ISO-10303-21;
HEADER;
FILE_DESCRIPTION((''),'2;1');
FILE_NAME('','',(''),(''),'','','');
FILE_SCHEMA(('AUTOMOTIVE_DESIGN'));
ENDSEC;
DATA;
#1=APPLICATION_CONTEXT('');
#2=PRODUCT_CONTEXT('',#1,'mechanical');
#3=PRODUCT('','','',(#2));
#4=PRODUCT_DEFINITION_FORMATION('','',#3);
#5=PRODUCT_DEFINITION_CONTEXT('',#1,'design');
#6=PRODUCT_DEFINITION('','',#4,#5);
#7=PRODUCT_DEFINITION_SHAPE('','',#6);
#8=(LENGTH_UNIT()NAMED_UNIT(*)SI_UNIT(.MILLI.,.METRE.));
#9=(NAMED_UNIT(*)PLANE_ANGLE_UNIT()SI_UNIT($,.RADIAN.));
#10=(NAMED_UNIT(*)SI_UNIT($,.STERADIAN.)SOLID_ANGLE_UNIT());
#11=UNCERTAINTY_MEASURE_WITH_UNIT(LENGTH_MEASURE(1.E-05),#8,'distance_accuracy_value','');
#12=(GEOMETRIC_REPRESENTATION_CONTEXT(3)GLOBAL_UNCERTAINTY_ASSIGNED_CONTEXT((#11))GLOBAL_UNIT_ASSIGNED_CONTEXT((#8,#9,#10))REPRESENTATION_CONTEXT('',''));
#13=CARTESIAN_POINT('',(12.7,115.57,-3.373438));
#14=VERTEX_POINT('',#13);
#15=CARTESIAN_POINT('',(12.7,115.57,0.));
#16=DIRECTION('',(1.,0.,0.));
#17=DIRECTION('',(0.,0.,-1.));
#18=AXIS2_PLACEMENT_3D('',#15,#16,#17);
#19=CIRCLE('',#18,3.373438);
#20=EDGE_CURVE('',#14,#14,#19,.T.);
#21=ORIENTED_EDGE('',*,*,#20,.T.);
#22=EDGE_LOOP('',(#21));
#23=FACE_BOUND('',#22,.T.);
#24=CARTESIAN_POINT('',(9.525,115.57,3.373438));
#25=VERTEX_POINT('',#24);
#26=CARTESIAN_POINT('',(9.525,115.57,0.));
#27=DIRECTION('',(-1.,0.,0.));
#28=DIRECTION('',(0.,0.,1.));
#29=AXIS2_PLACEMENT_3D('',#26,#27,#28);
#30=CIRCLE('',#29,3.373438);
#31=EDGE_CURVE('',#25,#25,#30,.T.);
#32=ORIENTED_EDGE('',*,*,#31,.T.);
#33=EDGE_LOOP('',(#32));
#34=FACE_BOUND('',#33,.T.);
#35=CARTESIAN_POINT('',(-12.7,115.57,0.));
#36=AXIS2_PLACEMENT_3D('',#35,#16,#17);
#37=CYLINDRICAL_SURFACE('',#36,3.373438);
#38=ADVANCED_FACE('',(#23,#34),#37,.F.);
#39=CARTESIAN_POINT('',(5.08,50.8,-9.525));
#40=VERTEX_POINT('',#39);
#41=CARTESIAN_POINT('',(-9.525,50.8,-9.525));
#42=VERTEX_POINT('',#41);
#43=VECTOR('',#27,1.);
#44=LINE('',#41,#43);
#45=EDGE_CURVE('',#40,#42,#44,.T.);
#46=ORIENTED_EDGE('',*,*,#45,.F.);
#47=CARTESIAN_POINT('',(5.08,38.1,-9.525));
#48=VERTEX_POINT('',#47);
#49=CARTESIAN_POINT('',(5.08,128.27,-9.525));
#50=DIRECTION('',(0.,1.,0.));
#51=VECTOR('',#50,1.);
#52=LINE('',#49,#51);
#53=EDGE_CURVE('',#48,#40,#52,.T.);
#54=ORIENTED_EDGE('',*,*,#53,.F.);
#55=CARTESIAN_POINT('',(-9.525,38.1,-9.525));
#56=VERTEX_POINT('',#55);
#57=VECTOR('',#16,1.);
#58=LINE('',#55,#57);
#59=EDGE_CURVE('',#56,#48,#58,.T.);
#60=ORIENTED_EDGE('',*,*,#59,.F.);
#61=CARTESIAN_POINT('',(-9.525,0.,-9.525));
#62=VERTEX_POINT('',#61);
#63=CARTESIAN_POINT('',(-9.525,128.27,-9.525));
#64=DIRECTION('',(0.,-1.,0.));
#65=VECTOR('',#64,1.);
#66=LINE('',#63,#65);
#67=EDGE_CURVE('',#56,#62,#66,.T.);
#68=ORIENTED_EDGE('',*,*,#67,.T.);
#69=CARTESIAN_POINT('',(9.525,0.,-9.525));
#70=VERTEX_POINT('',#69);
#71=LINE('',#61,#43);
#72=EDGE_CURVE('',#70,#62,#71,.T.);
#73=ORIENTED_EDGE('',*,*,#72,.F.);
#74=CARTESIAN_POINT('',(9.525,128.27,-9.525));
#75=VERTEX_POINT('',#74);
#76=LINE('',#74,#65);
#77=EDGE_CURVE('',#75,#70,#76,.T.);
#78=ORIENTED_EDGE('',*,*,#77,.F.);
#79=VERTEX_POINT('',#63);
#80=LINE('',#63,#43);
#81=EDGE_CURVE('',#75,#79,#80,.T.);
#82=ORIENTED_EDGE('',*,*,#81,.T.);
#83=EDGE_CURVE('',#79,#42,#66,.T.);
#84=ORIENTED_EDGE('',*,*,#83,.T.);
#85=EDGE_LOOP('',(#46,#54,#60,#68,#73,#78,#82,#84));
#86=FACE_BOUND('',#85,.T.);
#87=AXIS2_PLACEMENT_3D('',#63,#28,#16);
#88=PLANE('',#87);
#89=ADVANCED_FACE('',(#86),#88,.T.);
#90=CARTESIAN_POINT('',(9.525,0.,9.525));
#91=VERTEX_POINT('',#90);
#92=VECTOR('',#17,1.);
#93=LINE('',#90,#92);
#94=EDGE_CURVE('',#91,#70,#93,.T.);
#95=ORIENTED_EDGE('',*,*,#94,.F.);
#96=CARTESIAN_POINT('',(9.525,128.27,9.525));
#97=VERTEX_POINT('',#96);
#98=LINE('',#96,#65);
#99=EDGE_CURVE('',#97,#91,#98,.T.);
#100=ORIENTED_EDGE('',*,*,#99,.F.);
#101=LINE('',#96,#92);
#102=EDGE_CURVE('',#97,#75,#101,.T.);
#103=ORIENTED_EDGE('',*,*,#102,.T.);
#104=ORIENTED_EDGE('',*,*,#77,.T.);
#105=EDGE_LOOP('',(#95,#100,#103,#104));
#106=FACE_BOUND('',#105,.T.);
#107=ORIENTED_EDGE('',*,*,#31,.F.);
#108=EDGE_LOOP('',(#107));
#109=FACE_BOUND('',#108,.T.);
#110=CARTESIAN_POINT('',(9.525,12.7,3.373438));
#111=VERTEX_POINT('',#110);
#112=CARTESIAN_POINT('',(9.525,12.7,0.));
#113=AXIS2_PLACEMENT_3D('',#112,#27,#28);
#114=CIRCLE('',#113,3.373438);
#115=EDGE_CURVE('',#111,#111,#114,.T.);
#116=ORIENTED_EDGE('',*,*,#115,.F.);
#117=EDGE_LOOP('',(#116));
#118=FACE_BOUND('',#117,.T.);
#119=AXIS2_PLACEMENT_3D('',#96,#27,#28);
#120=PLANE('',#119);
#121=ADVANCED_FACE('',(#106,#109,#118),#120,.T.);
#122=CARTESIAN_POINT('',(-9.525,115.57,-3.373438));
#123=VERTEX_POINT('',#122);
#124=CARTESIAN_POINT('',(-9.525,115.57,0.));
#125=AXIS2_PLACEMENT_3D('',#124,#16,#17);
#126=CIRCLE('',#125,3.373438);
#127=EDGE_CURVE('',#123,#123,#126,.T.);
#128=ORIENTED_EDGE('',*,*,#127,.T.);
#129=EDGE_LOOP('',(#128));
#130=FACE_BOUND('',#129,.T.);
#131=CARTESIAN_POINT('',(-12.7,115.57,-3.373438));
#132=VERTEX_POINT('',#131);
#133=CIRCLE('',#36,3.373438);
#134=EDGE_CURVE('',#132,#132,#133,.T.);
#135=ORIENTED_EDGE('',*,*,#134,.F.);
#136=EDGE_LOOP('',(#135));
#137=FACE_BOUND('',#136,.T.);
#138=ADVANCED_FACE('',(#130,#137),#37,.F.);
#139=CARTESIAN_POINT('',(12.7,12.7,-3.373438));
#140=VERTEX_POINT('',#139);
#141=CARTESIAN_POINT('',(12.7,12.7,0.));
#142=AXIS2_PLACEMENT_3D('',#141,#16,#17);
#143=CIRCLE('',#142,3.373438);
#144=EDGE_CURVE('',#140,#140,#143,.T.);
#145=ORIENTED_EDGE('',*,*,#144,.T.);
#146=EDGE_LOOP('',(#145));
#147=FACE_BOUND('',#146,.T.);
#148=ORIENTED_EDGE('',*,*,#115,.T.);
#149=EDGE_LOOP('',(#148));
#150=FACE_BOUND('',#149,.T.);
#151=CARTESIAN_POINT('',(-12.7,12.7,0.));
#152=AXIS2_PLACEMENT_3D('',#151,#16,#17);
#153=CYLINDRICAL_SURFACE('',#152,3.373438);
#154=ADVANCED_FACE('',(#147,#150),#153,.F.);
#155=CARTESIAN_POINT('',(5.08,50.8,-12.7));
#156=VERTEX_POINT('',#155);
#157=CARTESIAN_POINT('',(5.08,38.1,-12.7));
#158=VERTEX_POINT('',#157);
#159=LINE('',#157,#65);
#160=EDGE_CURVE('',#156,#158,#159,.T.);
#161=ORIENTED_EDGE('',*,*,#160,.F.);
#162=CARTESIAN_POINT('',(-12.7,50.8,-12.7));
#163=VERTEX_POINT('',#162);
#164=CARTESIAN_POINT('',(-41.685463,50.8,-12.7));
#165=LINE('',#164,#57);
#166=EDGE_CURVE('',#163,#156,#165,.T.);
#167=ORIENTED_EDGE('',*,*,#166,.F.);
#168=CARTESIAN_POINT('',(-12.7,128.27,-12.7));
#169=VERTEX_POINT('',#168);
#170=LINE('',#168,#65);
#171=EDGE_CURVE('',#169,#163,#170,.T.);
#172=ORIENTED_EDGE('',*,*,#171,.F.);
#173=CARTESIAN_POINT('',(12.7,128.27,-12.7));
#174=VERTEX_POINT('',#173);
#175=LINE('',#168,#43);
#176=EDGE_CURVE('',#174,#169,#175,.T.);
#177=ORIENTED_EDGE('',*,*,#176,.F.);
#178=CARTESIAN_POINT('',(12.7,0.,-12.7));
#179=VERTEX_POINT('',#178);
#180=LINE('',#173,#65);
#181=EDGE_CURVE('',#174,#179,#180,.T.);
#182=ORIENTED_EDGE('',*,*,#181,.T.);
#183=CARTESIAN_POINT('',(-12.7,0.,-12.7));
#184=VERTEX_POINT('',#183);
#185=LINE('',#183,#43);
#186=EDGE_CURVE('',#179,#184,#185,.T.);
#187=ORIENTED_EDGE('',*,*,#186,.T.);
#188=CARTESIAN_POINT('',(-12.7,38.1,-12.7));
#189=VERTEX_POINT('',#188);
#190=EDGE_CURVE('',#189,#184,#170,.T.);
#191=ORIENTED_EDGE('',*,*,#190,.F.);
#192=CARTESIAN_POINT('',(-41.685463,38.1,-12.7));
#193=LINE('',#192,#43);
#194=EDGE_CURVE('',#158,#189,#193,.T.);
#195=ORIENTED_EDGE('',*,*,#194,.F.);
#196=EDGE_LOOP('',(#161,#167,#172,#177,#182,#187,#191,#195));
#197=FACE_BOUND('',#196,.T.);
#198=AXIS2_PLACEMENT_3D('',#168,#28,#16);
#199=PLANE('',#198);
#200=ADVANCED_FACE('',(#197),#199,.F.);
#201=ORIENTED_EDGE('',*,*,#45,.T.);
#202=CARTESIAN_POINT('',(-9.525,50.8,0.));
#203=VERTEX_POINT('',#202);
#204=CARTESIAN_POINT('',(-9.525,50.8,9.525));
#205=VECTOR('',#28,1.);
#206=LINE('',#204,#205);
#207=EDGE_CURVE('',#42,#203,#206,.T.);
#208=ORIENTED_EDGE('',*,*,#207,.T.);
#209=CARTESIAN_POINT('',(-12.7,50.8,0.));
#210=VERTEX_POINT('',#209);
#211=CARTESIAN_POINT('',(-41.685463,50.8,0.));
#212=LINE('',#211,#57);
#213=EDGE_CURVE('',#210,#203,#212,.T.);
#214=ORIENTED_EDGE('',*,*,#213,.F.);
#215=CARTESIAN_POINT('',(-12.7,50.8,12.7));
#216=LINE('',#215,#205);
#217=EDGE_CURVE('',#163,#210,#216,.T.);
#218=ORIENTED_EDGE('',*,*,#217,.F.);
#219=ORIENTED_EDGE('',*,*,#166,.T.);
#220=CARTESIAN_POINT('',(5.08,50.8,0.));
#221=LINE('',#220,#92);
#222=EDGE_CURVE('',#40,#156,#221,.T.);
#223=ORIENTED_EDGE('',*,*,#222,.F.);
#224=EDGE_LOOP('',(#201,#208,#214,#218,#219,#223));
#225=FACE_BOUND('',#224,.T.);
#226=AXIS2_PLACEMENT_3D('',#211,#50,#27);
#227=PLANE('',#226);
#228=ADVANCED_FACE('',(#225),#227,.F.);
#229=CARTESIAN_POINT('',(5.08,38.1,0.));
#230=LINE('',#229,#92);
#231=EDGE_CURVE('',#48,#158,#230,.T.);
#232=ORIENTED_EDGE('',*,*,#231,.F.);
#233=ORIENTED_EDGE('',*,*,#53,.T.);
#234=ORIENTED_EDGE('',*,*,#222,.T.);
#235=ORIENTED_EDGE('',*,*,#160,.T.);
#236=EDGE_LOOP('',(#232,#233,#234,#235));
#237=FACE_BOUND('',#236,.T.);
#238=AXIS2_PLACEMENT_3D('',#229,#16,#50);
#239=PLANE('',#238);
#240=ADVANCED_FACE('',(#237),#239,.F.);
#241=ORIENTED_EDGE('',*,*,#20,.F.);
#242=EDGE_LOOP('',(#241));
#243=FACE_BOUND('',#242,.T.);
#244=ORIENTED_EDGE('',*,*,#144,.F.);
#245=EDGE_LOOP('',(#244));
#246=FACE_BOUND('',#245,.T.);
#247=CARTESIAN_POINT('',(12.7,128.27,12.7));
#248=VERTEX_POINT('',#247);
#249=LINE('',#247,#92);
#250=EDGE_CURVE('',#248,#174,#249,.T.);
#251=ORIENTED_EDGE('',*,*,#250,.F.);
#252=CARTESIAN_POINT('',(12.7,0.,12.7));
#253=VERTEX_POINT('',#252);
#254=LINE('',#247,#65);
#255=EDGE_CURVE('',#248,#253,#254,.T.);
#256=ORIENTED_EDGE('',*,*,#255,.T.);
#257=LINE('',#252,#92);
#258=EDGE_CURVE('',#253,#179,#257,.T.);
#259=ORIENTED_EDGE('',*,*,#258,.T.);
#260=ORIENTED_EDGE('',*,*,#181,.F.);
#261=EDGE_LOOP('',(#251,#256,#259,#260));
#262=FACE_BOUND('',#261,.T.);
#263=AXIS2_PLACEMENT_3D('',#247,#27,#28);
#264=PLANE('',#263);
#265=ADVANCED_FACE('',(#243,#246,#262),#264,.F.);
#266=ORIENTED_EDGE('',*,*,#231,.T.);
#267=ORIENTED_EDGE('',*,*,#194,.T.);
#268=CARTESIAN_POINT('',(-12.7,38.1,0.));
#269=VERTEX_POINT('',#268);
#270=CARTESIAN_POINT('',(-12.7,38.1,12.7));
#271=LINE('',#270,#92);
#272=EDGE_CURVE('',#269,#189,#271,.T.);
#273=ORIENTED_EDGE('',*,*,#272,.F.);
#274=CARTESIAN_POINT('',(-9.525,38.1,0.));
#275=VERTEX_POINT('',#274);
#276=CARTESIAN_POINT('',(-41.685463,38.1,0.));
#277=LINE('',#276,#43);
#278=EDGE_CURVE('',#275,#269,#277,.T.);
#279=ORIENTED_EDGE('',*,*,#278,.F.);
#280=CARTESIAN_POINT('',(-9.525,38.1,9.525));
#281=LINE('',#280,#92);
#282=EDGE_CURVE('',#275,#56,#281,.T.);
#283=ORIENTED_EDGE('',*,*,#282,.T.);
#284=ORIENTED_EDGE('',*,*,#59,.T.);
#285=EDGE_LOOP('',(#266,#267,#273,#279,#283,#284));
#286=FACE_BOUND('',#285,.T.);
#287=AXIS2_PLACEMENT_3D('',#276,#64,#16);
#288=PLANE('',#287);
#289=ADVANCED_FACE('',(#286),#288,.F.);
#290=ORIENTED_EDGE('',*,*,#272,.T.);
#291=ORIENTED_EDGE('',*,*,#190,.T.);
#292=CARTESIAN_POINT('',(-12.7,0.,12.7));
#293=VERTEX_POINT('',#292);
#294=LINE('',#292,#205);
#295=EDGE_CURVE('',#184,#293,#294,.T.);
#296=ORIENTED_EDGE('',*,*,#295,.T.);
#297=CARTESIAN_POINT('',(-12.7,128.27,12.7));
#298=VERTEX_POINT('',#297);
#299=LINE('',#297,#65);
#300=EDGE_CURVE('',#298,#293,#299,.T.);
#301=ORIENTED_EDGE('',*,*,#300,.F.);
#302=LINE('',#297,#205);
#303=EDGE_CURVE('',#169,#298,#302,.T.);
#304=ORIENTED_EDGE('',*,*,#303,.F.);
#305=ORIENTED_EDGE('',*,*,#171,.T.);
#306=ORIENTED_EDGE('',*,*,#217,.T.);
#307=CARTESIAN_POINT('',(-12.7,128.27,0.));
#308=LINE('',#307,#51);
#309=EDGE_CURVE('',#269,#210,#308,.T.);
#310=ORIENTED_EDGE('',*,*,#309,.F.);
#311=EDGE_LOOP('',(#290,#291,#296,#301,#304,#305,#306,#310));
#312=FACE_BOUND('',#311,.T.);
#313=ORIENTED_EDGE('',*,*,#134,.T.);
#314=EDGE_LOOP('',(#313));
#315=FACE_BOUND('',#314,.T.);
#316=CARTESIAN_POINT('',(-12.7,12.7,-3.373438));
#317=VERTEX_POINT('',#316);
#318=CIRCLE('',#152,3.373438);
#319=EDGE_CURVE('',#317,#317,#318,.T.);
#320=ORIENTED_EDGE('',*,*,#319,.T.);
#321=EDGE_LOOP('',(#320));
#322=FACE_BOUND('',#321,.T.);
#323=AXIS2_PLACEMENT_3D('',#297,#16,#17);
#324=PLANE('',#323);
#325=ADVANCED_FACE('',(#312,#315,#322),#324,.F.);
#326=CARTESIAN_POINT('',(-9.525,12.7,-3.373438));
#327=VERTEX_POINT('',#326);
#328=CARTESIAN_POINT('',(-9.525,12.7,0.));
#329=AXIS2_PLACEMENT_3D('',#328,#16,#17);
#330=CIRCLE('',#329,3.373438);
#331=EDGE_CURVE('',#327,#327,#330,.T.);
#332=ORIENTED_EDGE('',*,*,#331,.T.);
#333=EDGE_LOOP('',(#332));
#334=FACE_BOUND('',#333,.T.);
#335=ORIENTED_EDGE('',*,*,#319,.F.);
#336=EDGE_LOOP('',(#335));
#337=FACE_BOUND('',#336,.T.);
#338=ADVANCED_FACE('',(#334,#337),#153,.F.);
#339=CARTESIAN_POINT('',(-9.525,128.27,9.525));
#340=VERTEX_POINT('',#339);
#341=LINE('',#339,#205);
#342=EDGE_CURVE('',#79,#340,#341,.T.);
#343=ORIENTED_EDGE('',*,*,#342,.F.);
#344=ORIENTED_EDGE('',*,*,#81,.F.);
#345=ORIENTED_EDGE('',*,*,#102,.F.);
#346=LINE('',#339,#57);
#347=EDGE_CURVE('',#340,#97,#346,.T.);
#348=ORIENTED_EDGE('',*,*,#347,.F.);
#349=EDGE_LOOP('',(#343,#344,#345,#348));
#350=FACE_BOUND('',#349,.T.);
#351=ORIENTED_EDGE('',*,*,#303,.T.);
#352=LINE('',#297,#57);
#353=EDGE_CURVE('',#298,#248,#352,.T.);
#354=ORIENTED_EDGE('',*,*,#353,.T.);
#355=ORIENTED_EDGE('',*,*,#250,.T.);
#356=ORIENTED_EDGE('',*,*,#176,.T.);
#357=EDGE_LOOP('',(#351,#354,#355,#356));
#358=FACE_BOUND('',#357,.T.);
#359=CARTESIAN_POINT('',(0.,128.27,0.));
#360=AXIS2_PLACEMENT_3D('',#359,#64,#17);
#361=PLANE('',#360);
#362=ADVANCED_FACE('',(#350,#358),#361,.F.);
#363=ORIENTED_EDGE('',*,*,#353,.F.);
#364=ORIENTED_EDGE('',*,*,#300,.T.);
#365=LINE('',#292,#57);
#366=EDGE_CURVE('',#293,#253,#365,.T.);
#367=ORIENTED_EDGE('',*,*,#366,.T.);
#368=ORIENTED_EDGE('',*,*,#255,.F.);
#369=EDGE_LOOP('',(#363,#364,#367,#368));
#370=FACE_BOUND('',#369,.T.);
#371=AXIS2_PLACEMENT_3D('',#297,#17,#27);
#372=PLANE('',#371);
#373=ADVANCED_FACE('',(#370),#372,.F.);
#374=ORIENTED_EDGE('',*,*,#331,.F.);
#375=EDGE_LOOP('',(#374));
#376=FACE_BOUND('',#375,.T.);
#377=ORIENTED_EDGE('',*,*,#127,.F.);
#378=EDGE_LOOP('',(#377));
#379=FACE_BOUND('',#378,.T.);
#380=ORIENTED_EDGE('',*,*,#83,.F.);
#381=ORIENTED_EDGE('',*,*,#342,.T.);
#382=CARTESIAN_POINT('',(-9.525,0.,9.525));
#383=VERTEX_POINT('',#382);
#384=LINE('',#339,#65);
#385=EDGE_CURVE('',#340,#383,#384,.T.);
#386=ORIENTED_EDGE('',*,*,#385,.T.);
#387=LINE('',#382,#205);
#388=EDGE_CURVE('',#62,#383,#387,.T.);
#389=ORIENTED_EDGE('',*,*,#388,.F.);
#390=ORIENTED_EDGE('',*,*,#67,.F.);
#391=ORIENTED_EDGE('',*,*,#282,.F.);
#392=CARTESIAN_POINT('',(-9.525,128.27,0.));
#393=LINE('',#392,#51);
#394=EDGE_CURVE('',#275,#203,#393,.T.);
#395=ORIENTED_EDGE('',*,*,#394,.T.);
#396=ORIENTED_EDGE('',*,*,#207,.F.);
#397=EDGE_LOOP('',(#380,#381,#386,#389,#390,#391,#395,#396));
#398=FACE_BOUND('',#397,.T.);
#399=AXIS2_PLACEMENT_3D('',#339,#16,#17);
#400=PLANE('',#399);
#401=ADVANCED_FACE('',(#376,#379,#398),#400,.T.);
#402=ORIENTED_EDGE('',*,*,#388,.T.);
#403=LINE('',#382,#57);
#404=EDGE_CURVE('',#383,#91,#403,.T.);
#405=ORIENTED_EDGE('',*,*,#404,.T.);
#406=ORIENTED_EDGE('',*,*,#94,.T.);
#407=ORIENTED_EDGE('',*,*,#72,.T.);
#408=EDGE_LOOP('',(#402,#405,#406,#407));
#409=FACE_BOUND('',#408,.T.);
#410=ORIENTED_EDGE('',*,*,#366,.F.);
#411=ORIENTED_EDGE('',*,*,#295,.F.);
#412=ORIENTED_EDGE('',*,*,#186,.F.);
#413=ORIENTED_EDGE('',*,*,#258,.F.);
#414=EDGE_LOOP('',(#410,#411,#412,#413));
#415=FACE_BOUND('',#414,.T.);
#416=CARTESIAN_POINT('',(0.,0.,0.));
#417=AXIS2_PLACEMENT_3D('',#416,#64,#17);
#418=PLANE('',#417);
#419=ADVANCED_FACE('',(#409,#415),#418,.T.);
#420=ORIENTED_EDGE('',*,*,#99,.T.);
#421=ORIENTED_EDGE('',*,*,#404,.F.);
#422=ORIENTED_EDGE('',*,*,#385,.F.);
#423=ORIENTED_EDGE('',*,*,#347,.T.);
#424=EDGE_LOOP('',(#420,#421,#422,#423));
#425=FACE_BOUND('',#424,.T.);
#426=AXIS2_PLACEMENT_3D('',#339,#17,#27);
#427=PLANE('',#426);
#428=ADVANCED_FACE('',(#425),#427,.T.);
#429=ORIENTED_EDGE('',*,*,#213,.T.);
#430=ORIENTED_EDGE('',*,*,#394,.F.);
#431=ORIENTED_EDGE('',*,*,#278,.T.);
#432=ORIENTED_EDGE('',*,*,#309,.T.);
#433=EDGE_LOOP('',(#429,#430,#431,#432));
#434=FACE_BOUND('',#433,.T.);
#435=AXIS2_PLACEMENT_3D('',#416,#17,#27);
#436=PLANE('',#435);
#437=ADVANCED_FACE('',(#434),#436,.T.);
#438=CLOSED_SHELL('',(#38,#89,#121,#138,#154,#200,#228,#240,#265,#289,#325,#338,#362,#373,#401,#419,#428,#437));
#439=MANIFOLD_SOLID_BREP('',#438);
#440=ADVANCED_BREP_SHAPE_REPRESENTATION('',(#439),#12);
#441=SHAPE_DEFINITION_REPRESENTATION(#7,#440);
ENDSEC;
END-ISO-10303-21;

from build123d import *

# Parameters (mm, degrees)
SKETCH1_W           = 25.4
SKETCH1_H           = 25.4
SKETCH1_W_2         = 19.05
SKETCH1_H_2         = 19.05
BOSS_EXTRUDE1_DEPTH = 128.27
SKETCH2_W           = 46.765463489
SKETCH2_H           = 12.7
CUT_EXTRUDE1_DEPTH  = 12.7
SKETCH4_R           = 3.3734375
CUT_EXTRUDE2_DEPTH  = 132.37596013


with BuildPart() as part:
    # Sketch1 → Boss-Extrude1 (new body)
    with BuildSketch(Plane(origin=(0, 0, 0), x_dir=(1, 0, 0), z_dir=(0, 1, 0))):
        Rectangle(SKETCH1_W, SKETCH1_H)
        Rectangle(SKETCH1_W_2, SKETCH1_H_2, mode=Mode.SUBTRACT)
    extrude(amount=BOSS_EXTRUDE1_DEPTH)

    # Sketch2 → Cut-Extrude1 (cut)
    with BuildSketch(Plane(origin=(0, 0, -12.7), x_dir=(-1, 0, 0), z_dir=(0, 0, -1))):
        with Locations((18.302731745, 44.45)):
            Rectangle(SKETCH2_W, SKETCH2_H)
    extrude(amount=-CUT_EXTRUDE1_DEPTH, mode=Mode.SUBTRACT)

    # Sketch4 → Cut-Extrude2 (cut, through all)
    with BuildSketch(Plane(origin=(12.7, 0, 0), x_dir=(0, 0, -1), z_dir=(1, 0, 0))):
        with Locations((0, 115.57)):
            Circle(SKETCH4_R)
        with Locations((0, 12.7)):
            Circle(SKETCH4_R)
    extrude(amount=-CUT_EXTRUDE2_DEPTH, mode=Mode.SUBTRACT)


solid = part.part
